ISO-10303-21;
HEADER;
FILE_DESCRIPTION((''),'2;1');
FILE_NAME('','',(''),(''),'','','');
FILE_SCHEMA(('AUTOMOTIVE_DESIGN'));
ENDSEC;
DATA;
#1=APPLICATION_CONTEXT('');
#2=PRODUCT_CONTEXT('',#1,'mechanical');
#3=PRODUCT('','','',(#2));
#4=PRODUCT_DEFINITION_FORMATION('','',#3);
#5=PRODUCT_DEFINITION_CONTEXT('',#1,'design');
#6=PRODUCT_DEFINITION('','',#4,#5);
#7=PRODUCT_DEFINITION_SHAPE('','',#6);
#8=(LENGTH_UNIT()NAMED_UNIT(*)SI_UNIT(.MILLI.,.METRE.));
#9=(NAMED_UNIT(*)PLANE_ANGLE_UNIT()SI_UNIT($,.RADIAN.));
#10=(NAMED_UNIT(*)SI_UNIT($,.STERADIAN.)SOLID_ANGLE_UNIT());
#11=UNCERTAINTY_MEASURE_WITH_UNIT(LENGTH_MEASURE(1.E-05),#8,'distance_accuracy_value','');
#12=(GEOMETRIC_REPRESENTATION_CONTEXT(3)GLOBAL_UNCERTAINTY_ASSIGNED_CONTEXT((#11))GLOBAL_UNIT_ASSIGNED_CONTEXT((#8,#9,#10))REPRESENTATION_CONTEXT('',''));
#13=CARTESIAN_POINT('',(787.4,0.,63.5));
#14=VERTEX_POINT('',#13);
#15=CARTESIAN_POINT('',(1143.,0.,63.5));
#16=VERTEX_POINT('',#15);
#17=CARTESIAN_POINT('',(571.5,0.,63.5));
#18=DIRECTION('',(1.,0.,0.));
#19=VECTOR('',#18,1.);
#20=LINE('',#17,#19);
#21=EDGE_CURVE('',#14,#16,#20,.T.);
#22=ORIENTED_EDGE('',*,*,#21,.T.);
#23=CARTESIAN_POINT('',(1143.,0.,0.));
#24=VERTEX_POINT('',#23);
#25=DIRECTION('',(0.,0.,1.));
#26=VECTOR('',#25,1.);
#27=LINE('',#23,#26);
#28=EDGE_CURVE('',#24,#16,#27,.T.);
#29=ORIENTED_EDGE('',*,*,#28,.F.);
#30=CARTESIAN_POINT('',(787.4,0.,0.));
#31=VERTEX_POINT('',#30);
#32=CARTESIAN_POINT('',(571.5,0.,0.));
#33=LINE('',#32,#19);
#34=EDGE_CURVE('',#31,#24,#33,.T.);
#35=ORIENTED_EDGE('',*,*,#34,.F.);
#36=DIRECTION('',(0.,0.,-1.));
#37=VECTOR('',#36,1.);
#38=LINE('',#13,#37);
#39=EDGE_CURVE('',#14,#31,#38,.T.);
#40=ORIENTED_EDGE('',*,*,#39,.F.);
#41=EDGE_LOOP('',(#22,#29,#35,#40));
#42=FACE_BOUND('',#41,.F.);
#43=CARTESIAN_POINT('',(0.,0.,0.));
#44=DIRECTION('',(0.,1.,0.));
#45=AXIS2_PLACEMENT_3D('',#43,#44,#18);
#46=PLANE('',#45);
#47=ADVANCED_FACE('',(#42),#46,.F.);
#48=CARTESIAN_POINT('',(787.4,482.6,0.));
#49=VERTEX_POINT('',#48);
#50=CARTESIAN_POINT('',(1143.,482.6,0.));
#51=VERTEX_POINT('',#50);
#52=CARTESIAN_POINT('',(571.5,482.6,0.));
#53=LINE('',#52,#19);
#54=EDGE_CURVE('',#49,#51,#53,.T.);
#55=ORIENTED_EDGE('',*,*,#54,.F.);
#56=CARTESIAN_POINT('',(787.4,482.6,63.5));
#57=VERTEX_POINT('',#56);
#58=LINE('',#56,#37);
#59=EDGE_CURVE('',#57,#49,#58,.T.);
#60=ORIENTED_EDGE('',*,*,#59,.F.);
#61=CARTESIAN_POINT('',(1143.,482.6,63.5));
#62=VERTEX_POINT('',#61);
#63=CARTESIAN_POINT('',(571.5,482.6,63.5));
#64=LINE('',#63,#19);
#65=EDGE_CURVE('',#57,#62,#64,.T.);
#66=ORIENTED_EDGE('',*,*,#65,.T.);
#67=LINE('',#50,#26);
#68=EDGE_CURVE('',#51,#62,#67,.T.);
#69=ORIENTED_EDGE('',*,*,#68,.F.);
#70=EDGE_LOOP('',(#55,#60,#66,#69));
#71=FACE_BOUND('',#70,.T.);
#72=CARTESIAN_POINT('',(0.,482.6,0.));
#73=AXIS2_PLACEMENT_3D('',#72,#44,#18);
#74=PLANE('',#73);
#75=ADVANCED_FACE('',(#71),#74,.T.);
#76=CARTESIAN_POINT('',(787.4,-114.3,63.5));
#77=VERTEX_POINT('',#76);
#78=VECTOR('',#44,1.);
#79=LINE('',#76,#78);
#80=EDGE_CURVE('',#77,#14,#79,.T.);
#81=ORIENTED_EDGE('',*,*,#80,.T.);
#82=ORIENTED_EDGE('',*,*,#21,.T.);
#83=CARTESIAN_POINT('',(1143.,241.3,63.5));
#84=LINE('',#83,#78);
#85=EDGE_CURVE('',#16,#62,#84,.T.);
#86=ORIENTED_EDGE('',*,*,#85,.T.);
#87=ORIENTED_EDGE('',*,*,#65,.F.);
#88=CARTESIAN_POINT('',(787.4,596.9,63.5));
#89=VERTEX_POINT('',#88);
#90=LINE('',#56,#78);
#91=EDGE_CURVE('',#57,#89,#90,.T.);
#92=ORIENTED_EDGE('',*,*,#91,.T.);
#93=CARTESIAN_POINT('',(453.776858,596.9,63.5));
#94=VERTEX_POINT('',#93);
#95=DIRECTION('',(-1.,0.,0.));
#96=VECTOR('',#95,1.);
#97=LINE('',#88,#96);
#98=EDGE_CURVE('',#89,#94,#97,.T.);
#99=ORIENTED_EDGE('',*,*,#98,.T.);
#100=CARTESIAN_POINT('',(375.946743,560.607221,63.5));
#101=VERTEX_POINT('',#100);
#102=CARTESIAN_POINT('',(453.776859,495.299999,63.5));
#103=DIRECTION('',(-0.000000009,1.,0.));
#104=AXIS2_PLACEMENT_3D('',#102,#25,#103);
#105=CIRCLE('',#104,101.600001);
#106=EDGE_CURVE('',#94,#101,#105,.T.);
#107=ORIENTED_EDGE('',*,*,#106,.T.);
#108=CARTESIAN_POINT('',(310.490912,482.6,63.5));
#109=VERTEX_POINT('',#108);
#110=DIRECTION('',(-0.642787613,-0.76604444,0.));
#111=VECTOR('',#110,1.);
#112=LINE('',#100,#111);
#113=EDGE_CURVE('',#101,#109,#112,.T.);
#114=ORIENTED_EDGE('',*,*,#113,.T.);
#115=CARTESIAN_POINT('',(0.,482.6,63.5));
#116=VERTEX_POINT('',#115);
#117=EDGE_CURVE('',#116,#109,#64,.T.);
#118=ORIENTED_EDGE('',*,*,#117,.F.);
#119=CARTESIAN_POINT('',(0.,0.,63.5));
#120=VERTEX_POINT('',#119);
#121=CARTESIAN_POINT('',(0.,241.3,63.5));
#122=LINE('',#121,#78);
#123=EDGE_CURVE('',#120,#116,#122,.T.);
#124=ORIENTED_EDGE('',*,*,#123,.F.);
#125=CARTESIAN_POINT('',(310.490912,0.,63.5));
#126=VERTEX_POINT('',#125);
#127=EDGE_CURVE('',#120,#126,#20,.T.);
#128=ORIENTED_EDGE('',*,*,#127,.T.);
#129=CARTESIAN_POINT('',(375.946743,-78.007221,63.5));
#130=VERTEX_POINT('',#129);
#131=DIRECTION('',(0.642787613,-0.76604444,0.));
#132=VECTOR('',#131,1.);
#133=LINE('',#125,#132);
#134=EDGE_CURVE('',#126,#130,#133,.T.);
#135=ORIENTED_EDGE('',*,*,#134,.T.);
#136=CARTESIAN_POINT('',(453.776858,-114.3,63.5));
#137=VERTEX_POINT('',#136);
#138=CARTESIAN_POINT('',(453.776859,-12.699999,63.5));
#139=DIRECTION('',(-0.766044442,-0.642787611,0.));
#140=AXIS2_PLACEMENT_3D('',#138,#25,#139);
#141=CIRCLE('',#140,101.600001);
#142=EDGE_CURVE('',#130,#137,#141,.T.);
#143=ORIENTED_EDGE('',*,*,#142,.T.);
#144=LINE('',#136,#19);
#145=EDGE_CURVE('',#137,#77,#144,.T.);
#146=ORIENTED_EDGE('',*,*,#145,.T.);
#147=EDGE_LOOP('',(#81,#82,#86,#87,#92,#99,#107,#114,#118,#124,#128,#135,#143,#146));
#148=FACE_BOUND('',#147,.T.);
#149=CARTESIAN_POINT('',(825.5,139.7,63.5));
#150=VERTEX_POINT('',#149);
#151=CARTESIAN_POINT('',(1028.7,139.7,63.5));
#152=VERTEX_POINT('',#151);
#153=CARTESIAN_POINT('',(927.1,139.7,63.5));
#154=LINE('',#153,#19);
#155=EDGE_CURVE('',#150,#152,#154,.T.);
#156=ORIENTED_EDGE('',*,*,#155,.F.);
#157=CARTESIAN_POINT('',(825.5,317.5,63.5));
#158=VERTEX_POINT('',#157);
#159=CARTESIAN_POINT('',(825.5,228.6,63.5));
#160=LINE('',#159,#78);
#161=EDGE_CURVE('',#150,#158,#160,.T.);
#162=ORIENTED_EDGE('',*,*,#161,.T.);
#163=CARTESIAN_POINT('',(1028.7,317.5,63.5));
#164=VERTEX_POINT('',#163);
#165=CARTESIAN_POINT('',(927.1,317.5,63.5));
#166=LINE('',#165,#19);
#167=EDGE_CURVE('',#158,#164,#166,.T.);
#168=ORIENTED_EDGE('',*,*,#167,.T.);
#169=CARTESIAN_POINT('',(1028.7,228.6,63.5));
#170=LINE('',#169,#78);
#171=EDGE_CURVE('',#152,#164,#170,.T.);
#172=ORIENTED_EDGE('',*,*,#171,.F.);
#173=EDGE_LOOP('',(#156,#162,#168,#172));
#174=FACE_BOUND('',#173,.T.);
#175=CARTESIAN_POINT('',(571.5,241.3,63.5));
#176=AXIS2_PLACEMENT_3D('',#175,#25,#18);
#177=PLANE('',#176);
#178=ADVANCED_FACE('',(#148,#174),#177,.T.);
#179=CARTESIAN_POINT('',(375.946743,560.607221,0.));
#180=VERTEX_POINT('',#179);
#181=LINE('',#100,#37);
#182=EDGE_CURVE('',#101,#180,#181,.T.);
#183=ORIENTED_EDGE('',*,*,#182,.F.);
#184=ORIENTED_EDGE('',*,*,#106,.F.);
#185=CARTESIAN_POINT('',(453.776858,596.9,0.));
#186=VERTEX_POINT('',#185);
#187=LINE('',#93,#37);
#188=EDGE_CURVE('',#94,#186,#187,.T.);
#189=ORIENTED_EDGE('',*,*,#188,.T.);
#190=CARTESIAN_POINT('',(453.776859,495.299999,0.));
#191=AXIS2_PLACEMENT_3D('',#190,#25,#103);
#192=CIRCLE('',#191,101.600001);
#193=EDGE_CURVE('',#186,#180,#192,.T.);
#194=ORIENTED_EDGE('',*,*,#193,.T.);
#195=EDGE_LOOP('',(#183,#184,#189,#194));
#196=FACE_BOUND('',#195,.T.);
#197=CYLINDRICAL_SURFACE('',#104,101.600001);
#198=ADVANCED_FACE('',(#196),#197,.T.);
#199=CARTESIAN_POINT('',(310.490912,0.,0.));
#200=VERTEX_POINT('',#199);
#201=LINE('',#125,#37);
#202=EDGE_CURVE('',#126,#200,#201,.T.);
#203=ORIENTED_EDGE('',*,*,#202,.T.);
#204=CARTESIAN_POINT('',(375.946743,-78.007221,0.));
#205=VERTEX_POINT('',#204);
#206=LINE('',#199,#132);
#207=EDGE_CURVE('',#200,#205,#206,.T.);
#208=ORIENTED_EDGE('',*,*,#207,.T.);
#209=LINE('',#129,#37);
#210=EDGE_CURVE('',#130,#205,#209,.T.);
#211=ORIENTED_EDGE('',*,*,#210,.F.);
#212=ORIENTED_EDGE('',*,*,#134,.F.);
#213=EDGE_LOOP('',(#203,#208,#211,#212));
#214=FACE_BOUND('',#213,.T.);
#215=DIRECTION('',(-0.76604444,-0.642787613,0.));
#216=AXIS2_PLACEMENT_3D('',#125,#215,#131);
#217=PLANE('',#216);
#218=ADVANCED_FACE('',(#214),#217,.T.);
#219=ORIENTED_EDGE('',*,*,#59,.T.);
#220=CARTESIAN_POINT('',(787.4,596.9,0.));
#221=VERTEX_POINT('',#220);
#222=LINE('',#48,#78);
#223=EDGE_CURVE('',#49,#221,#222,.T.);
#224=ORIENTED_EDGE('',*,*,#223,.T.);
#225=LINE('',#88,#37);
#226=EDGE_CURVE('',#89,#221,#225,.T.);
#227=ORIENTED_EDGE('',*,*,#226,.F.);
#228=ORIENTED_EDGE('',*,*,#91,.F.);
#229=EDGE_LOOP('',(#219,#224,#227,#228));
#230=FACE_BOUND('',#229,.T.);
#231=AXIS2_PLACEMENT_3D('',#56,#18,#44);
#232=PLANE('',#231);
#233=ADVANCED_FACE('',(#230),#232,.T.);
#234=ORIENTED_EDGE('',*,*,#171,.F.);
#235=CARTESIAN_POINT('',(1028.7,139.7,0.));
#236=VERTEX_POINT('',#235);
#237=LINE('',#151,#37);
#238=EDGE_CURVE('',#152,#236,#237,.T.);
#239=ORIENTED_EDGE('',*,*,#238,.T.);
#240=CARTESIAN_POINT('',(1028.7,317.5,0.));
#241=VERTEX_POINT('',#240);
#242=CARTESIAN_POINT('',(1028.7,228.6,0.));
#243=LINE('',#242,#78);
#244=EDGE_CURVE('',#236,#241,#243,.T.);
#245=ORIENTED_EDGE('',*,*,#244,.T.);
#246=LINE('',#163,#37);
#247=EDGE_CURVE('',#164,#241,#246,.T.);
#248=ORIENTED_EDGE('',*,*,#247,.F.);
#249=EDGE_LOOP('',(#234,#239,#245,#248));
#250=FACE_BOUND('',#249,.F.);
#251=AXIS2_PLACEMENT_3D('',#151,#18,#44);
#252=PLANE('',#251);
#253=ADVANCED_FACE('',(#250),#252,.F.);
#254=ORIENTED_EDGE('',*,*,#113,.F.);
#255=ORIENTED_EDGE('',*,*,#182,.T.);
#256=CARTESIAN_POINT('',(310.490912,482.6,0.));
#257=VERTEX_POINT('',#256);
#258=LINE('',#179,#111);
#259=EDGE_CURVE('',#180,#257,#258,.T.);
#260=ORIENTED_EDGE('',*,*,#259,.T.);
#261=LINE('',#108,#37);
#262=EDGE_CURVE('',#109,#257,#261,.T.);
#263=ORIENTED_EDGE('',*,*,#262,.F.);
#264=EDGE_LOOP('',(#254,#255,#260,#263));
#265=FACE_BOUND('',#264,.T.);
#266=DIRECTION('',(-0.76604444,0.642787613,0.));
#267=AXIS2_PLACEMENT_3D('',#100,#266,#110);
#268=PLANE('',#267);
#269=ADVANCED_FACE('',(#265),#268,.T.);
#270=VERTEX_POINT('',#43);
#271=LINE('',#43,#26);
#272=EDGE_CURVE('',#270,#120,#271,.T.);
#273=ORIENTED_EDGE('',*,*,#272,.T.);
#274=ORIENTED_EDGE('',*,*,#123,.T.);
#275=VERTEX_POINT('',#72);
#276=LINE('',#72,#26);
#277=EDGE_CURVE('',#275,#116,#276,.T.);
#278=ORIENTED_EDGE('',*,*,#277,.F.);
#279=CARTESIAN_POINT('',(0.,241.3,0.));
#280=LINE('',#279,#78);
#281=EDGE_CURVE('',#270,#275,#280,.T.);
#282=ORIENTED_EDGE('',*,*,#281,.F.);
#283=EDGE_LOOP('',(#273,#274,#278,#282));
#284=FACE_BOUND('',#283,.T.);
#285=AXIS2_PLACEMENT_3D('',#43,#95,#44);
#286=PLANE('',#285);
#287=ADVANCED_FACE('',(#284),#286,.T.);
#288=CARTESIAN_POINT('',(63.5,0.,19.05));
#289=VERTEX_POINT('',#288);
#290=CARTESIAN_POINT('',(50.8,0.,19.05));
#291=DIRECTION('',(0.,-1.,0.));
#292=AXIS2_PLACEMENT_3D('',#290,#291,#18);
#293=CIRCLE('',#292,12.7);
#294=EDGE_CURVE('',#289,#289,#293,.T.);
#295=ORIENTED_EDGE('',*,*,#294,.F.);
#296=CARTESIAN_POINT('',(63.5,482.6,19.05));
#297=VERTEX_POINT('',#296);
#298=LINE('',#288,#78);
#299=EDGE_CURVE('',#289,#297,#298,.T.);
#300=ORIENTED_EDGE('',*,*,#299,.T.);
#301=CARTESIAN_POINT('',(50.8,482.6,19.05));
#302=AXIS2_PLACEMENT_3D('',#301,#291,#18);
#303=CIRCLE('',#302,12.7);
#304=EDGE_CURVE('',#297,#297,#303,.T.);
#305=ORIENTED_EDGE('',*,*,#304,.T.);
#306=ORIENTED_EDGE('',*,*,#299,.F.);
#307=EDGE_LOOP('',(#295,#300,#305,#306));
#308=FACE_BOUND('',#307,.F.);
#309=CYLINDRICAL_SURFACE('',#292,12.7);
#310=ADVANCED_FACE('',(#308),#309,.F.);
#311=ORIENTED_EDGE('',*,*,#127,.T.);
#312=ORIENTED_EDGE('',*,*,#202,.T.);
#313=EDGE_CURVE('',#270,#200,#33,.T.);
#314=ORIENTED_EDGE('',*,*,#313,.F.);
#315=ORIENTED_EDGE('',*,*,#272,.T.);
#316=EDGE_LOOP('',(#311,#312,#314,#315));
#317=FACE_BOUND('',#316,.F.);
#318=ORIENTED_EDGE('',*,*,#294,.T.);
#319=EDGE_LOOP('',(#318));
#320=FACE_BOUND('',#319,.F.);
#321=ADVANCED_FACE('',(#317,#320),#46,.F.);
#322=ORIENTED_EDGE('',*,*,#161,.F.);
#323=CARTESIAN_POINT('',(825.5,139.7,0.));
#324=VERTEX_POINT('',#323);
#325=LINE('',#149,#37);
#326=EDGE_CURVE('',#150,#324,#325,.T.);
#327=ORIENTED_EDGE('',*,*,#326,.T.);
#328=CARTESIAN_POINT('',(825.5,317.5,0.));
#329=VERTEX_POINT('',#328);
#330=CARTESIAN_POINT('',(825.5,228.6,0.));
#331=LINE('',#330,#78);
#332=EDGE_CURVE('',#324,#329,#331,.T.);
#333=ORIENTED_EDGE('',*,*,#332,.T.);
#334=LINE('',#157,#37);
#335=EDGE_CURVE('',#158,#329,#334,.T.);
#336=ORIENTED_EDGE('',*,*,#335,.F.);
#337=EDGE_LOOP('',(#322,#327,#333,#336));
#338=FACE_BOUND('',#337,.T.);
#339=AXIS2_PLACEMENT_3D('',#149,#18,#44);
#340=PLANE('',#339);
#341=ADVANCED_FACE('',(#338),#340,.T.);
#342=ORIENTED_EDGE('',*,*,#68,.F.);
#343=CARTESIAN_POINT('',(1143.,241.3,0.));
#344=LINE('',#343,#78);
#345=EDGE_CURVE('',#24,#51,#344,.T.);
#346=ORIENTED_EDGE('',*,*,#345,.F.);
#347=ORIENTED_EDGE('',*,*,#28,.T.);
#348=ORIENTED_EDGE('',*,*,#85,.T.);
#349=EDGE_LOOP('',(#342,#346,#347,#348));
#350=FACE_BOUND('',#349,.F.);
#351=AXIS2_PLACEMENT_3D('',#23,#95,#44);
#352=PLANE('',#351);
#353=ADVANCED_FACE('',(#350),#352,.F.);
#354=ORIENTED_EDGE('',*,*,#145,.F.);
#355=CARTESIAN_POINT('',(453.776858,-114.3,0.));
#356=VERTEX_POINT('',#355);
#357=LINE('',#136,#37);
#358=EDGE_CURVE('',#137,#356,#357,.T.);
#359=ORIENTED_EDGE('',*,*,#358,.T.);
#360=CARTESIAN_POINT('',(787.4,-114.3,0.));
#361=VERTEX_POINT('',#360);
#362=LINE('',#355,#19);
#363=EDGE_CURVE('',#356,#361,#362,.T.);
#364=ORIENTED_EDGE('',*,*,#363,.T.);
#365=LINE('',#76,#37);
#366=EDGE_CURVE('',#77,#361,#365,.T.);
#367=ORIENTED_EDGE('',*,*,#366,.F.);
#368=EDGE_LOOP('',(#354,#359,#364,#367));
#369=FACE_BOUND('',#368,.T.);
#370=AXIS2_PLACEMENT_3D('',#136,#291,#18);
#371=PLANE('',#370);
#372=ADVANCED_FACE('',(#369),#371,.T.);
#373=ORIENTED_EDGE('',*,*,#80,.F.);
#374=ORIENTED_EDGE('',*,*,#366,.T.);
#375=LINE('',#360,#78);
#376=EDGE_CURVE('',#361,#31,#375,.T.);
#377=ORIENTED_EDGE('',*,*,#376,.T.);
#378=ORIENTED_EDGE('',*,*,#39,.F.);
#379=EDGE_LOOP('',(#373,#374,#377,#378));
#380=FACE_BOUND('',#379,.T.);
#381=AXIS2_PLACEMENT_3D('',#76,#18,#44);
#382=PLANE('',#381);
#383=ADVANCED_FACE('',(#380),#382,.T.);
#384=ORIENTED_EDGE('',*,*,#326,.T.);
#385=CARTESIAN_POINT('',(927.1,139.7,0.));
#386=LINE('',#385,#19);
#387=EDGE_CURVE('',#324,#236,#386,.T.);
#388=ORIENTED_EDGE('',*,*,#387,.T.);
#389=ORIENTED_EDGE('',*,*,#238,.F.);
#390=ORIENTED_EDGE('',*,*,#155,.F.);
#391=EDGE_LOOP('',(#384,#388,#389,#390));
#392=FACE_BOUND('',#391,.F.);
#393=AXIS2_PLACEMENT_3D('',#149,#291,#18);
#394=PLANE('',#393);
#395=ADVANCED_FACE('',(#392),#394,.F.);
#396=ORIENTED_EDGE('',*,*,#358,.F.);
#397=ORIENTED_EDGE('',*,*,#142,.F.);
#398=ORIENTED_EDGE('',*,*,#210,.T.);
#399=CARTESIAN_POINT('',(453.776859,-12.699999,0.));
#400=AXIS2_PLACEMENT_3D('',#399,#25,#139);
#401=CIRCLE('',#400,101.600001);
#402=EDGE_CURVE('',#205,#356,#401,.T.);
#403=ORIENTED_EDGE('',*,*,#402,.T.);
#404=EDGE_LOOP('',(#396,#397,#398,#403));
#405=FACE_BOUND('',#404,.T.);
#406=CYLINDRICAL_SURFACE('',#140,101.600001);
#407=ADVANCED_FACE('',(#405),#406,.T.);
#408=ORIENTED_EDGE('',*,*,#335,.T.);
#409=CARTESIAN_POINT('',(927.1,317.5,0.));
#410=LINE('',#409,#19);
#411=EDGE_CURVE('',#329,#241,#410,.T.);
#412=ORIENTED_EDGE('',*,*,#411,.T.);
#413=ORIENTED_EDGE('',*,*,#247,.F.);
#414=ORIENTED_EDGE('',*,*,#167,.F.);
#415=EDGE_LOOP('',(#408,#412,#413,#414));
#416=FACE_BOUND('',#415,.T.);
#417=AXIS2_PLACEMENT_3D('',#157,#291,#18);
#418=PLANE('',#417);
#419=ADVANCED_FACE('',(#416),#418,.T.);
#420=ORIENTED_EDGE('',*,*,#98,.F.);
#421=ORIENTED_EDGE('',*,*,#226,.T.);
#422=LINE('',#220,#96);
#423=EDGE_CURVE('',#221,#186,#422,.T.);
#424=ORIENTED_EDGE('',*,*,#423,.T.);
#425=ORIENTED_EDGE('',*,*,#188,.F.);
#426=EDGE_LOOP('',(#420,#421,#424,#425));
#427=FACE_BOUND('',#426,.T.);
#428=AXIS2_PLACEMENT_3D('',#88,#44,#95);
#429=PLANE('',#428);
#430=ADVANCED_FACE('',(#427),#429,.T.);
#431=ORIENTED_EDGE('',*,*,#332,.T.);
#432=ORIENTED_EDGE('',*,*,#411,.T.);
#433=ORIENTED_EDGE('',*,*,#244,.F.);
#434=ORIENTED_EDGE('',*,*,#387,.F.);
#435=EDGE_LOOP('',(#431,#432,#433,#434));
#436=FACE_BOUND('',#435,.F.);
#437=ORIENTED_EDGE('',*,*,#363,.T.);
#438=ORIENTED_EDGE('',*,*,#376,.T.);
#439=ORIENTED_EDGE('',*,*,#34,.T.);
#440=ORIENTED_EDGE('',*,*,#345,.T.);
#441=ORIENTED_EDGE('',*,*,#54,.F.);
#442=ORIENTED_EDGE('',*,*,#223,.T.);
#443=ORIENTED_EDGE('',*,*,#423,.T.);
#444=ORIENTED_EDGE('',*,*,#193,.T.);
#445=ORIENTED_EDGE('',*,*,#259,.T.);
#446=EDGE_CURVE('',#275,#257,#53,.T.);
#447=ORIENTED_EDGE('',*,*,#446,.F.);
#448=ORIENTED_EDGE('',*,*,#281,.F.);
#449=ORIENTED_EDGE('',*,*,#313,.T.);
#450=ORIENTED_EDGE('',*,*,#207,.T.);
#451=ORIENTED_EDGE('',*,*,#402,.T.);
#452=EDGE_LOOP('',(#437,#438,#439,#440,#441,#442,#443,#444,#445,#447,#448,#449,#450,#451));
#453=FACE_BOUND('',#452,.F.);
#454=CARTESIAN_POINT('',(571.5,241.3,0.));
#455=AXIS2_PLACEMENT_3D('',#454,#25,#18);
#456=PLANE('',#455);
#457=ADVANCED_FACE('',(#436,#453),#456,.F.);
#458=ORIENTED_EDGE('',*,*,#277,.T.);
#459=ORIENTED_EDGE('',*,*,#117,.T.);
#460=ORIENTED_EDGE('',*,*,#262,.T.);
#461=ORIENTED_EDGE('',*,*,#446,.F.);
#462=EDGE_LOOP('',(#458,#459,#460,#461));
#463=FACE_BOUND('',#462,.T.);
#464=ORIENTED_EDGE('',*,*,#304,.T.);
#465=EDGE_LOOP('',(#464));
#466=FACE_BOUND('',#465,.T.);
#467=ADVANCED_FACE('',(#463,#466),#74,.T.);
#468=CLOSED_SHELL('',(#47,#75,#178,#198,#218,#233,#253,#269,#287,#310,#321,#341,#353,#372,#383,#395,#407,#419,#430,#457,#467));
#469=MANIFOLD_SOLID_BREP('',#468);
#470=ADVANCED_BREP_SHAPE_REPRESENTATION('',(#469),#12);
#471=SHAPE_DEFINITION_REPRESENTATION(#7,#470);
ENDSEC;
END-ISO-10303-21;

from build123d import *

# Parameters (mm, degrees)
F0_W     = 1143
F0_H     = 482.6
F1_DEPTH = 63.5
F2_W     = 203.2
F2_H     = 177.8
F3_DEPTH = 63.5
F4_R     = 12.7
F5_DEPTH = 482.6
F7_DEPTH = 63.5


with BuildPart() as f1:
    # F0 (on Top) → F1 (new body)
    with BuildSketch(Plane.XY):
        with Locations((571.5, 241.3)):
            Rectangle(F0_W, F0_H)
    extrude(amount=F1_DEPTH)

    # F2 (on face) → F3 (cut)
    with BuildSketch(Plane.XY.offset(63.5)):
        with Locations((927.1, 228.6)):
            Rectangle(F2_W, F2_H)
    extrude(amount=-F3_DEPTH, mode=Mode.SUBTRACT)

    # F4 (on face) → F5 (cut, through all)
    with BuildSketch(Plane.XZ):
        with Locations((50.8, 19.05)):
            Circle(F4_R)
    extrude(amount=-F5_DEPTH, mode=Mode.SUBTRACT)

    # F6 (on face) → F7 (join)
    with BuildSketch(Plane.XY.offset(63.5)):
        with BuildLine():
            Line((310.490912, 482.6), (787.4, 482.6))
            Line((787.4, 482.6), (787.4, 596.9))
            Line((787.4, 596.9), (453.776858, 596.9))
            ThreePointArc((453.776858, 596.9), (410.838843, 587.380871), (375.946743, 560.607221))
            Line((375.946743, 560.607221), (310.490912, 482.6))
        make_face()
        with BuildLine():
            Line((787.4, -114.3), (787.4, 0))
            Line((787.4, 0), (310.490912, 0))
            Line((310.490912, 0), (375.946743, -78.007221))
            ThreePointArc((375.946743, -78.007221), (410.838843, -104.780871), (453.776858, -114.3))
            Line((453.776858, -114.3), (787.4, -114.3))
        make_face()
    extrude(amount=-F7_DEPTH)


solid = f1.part
